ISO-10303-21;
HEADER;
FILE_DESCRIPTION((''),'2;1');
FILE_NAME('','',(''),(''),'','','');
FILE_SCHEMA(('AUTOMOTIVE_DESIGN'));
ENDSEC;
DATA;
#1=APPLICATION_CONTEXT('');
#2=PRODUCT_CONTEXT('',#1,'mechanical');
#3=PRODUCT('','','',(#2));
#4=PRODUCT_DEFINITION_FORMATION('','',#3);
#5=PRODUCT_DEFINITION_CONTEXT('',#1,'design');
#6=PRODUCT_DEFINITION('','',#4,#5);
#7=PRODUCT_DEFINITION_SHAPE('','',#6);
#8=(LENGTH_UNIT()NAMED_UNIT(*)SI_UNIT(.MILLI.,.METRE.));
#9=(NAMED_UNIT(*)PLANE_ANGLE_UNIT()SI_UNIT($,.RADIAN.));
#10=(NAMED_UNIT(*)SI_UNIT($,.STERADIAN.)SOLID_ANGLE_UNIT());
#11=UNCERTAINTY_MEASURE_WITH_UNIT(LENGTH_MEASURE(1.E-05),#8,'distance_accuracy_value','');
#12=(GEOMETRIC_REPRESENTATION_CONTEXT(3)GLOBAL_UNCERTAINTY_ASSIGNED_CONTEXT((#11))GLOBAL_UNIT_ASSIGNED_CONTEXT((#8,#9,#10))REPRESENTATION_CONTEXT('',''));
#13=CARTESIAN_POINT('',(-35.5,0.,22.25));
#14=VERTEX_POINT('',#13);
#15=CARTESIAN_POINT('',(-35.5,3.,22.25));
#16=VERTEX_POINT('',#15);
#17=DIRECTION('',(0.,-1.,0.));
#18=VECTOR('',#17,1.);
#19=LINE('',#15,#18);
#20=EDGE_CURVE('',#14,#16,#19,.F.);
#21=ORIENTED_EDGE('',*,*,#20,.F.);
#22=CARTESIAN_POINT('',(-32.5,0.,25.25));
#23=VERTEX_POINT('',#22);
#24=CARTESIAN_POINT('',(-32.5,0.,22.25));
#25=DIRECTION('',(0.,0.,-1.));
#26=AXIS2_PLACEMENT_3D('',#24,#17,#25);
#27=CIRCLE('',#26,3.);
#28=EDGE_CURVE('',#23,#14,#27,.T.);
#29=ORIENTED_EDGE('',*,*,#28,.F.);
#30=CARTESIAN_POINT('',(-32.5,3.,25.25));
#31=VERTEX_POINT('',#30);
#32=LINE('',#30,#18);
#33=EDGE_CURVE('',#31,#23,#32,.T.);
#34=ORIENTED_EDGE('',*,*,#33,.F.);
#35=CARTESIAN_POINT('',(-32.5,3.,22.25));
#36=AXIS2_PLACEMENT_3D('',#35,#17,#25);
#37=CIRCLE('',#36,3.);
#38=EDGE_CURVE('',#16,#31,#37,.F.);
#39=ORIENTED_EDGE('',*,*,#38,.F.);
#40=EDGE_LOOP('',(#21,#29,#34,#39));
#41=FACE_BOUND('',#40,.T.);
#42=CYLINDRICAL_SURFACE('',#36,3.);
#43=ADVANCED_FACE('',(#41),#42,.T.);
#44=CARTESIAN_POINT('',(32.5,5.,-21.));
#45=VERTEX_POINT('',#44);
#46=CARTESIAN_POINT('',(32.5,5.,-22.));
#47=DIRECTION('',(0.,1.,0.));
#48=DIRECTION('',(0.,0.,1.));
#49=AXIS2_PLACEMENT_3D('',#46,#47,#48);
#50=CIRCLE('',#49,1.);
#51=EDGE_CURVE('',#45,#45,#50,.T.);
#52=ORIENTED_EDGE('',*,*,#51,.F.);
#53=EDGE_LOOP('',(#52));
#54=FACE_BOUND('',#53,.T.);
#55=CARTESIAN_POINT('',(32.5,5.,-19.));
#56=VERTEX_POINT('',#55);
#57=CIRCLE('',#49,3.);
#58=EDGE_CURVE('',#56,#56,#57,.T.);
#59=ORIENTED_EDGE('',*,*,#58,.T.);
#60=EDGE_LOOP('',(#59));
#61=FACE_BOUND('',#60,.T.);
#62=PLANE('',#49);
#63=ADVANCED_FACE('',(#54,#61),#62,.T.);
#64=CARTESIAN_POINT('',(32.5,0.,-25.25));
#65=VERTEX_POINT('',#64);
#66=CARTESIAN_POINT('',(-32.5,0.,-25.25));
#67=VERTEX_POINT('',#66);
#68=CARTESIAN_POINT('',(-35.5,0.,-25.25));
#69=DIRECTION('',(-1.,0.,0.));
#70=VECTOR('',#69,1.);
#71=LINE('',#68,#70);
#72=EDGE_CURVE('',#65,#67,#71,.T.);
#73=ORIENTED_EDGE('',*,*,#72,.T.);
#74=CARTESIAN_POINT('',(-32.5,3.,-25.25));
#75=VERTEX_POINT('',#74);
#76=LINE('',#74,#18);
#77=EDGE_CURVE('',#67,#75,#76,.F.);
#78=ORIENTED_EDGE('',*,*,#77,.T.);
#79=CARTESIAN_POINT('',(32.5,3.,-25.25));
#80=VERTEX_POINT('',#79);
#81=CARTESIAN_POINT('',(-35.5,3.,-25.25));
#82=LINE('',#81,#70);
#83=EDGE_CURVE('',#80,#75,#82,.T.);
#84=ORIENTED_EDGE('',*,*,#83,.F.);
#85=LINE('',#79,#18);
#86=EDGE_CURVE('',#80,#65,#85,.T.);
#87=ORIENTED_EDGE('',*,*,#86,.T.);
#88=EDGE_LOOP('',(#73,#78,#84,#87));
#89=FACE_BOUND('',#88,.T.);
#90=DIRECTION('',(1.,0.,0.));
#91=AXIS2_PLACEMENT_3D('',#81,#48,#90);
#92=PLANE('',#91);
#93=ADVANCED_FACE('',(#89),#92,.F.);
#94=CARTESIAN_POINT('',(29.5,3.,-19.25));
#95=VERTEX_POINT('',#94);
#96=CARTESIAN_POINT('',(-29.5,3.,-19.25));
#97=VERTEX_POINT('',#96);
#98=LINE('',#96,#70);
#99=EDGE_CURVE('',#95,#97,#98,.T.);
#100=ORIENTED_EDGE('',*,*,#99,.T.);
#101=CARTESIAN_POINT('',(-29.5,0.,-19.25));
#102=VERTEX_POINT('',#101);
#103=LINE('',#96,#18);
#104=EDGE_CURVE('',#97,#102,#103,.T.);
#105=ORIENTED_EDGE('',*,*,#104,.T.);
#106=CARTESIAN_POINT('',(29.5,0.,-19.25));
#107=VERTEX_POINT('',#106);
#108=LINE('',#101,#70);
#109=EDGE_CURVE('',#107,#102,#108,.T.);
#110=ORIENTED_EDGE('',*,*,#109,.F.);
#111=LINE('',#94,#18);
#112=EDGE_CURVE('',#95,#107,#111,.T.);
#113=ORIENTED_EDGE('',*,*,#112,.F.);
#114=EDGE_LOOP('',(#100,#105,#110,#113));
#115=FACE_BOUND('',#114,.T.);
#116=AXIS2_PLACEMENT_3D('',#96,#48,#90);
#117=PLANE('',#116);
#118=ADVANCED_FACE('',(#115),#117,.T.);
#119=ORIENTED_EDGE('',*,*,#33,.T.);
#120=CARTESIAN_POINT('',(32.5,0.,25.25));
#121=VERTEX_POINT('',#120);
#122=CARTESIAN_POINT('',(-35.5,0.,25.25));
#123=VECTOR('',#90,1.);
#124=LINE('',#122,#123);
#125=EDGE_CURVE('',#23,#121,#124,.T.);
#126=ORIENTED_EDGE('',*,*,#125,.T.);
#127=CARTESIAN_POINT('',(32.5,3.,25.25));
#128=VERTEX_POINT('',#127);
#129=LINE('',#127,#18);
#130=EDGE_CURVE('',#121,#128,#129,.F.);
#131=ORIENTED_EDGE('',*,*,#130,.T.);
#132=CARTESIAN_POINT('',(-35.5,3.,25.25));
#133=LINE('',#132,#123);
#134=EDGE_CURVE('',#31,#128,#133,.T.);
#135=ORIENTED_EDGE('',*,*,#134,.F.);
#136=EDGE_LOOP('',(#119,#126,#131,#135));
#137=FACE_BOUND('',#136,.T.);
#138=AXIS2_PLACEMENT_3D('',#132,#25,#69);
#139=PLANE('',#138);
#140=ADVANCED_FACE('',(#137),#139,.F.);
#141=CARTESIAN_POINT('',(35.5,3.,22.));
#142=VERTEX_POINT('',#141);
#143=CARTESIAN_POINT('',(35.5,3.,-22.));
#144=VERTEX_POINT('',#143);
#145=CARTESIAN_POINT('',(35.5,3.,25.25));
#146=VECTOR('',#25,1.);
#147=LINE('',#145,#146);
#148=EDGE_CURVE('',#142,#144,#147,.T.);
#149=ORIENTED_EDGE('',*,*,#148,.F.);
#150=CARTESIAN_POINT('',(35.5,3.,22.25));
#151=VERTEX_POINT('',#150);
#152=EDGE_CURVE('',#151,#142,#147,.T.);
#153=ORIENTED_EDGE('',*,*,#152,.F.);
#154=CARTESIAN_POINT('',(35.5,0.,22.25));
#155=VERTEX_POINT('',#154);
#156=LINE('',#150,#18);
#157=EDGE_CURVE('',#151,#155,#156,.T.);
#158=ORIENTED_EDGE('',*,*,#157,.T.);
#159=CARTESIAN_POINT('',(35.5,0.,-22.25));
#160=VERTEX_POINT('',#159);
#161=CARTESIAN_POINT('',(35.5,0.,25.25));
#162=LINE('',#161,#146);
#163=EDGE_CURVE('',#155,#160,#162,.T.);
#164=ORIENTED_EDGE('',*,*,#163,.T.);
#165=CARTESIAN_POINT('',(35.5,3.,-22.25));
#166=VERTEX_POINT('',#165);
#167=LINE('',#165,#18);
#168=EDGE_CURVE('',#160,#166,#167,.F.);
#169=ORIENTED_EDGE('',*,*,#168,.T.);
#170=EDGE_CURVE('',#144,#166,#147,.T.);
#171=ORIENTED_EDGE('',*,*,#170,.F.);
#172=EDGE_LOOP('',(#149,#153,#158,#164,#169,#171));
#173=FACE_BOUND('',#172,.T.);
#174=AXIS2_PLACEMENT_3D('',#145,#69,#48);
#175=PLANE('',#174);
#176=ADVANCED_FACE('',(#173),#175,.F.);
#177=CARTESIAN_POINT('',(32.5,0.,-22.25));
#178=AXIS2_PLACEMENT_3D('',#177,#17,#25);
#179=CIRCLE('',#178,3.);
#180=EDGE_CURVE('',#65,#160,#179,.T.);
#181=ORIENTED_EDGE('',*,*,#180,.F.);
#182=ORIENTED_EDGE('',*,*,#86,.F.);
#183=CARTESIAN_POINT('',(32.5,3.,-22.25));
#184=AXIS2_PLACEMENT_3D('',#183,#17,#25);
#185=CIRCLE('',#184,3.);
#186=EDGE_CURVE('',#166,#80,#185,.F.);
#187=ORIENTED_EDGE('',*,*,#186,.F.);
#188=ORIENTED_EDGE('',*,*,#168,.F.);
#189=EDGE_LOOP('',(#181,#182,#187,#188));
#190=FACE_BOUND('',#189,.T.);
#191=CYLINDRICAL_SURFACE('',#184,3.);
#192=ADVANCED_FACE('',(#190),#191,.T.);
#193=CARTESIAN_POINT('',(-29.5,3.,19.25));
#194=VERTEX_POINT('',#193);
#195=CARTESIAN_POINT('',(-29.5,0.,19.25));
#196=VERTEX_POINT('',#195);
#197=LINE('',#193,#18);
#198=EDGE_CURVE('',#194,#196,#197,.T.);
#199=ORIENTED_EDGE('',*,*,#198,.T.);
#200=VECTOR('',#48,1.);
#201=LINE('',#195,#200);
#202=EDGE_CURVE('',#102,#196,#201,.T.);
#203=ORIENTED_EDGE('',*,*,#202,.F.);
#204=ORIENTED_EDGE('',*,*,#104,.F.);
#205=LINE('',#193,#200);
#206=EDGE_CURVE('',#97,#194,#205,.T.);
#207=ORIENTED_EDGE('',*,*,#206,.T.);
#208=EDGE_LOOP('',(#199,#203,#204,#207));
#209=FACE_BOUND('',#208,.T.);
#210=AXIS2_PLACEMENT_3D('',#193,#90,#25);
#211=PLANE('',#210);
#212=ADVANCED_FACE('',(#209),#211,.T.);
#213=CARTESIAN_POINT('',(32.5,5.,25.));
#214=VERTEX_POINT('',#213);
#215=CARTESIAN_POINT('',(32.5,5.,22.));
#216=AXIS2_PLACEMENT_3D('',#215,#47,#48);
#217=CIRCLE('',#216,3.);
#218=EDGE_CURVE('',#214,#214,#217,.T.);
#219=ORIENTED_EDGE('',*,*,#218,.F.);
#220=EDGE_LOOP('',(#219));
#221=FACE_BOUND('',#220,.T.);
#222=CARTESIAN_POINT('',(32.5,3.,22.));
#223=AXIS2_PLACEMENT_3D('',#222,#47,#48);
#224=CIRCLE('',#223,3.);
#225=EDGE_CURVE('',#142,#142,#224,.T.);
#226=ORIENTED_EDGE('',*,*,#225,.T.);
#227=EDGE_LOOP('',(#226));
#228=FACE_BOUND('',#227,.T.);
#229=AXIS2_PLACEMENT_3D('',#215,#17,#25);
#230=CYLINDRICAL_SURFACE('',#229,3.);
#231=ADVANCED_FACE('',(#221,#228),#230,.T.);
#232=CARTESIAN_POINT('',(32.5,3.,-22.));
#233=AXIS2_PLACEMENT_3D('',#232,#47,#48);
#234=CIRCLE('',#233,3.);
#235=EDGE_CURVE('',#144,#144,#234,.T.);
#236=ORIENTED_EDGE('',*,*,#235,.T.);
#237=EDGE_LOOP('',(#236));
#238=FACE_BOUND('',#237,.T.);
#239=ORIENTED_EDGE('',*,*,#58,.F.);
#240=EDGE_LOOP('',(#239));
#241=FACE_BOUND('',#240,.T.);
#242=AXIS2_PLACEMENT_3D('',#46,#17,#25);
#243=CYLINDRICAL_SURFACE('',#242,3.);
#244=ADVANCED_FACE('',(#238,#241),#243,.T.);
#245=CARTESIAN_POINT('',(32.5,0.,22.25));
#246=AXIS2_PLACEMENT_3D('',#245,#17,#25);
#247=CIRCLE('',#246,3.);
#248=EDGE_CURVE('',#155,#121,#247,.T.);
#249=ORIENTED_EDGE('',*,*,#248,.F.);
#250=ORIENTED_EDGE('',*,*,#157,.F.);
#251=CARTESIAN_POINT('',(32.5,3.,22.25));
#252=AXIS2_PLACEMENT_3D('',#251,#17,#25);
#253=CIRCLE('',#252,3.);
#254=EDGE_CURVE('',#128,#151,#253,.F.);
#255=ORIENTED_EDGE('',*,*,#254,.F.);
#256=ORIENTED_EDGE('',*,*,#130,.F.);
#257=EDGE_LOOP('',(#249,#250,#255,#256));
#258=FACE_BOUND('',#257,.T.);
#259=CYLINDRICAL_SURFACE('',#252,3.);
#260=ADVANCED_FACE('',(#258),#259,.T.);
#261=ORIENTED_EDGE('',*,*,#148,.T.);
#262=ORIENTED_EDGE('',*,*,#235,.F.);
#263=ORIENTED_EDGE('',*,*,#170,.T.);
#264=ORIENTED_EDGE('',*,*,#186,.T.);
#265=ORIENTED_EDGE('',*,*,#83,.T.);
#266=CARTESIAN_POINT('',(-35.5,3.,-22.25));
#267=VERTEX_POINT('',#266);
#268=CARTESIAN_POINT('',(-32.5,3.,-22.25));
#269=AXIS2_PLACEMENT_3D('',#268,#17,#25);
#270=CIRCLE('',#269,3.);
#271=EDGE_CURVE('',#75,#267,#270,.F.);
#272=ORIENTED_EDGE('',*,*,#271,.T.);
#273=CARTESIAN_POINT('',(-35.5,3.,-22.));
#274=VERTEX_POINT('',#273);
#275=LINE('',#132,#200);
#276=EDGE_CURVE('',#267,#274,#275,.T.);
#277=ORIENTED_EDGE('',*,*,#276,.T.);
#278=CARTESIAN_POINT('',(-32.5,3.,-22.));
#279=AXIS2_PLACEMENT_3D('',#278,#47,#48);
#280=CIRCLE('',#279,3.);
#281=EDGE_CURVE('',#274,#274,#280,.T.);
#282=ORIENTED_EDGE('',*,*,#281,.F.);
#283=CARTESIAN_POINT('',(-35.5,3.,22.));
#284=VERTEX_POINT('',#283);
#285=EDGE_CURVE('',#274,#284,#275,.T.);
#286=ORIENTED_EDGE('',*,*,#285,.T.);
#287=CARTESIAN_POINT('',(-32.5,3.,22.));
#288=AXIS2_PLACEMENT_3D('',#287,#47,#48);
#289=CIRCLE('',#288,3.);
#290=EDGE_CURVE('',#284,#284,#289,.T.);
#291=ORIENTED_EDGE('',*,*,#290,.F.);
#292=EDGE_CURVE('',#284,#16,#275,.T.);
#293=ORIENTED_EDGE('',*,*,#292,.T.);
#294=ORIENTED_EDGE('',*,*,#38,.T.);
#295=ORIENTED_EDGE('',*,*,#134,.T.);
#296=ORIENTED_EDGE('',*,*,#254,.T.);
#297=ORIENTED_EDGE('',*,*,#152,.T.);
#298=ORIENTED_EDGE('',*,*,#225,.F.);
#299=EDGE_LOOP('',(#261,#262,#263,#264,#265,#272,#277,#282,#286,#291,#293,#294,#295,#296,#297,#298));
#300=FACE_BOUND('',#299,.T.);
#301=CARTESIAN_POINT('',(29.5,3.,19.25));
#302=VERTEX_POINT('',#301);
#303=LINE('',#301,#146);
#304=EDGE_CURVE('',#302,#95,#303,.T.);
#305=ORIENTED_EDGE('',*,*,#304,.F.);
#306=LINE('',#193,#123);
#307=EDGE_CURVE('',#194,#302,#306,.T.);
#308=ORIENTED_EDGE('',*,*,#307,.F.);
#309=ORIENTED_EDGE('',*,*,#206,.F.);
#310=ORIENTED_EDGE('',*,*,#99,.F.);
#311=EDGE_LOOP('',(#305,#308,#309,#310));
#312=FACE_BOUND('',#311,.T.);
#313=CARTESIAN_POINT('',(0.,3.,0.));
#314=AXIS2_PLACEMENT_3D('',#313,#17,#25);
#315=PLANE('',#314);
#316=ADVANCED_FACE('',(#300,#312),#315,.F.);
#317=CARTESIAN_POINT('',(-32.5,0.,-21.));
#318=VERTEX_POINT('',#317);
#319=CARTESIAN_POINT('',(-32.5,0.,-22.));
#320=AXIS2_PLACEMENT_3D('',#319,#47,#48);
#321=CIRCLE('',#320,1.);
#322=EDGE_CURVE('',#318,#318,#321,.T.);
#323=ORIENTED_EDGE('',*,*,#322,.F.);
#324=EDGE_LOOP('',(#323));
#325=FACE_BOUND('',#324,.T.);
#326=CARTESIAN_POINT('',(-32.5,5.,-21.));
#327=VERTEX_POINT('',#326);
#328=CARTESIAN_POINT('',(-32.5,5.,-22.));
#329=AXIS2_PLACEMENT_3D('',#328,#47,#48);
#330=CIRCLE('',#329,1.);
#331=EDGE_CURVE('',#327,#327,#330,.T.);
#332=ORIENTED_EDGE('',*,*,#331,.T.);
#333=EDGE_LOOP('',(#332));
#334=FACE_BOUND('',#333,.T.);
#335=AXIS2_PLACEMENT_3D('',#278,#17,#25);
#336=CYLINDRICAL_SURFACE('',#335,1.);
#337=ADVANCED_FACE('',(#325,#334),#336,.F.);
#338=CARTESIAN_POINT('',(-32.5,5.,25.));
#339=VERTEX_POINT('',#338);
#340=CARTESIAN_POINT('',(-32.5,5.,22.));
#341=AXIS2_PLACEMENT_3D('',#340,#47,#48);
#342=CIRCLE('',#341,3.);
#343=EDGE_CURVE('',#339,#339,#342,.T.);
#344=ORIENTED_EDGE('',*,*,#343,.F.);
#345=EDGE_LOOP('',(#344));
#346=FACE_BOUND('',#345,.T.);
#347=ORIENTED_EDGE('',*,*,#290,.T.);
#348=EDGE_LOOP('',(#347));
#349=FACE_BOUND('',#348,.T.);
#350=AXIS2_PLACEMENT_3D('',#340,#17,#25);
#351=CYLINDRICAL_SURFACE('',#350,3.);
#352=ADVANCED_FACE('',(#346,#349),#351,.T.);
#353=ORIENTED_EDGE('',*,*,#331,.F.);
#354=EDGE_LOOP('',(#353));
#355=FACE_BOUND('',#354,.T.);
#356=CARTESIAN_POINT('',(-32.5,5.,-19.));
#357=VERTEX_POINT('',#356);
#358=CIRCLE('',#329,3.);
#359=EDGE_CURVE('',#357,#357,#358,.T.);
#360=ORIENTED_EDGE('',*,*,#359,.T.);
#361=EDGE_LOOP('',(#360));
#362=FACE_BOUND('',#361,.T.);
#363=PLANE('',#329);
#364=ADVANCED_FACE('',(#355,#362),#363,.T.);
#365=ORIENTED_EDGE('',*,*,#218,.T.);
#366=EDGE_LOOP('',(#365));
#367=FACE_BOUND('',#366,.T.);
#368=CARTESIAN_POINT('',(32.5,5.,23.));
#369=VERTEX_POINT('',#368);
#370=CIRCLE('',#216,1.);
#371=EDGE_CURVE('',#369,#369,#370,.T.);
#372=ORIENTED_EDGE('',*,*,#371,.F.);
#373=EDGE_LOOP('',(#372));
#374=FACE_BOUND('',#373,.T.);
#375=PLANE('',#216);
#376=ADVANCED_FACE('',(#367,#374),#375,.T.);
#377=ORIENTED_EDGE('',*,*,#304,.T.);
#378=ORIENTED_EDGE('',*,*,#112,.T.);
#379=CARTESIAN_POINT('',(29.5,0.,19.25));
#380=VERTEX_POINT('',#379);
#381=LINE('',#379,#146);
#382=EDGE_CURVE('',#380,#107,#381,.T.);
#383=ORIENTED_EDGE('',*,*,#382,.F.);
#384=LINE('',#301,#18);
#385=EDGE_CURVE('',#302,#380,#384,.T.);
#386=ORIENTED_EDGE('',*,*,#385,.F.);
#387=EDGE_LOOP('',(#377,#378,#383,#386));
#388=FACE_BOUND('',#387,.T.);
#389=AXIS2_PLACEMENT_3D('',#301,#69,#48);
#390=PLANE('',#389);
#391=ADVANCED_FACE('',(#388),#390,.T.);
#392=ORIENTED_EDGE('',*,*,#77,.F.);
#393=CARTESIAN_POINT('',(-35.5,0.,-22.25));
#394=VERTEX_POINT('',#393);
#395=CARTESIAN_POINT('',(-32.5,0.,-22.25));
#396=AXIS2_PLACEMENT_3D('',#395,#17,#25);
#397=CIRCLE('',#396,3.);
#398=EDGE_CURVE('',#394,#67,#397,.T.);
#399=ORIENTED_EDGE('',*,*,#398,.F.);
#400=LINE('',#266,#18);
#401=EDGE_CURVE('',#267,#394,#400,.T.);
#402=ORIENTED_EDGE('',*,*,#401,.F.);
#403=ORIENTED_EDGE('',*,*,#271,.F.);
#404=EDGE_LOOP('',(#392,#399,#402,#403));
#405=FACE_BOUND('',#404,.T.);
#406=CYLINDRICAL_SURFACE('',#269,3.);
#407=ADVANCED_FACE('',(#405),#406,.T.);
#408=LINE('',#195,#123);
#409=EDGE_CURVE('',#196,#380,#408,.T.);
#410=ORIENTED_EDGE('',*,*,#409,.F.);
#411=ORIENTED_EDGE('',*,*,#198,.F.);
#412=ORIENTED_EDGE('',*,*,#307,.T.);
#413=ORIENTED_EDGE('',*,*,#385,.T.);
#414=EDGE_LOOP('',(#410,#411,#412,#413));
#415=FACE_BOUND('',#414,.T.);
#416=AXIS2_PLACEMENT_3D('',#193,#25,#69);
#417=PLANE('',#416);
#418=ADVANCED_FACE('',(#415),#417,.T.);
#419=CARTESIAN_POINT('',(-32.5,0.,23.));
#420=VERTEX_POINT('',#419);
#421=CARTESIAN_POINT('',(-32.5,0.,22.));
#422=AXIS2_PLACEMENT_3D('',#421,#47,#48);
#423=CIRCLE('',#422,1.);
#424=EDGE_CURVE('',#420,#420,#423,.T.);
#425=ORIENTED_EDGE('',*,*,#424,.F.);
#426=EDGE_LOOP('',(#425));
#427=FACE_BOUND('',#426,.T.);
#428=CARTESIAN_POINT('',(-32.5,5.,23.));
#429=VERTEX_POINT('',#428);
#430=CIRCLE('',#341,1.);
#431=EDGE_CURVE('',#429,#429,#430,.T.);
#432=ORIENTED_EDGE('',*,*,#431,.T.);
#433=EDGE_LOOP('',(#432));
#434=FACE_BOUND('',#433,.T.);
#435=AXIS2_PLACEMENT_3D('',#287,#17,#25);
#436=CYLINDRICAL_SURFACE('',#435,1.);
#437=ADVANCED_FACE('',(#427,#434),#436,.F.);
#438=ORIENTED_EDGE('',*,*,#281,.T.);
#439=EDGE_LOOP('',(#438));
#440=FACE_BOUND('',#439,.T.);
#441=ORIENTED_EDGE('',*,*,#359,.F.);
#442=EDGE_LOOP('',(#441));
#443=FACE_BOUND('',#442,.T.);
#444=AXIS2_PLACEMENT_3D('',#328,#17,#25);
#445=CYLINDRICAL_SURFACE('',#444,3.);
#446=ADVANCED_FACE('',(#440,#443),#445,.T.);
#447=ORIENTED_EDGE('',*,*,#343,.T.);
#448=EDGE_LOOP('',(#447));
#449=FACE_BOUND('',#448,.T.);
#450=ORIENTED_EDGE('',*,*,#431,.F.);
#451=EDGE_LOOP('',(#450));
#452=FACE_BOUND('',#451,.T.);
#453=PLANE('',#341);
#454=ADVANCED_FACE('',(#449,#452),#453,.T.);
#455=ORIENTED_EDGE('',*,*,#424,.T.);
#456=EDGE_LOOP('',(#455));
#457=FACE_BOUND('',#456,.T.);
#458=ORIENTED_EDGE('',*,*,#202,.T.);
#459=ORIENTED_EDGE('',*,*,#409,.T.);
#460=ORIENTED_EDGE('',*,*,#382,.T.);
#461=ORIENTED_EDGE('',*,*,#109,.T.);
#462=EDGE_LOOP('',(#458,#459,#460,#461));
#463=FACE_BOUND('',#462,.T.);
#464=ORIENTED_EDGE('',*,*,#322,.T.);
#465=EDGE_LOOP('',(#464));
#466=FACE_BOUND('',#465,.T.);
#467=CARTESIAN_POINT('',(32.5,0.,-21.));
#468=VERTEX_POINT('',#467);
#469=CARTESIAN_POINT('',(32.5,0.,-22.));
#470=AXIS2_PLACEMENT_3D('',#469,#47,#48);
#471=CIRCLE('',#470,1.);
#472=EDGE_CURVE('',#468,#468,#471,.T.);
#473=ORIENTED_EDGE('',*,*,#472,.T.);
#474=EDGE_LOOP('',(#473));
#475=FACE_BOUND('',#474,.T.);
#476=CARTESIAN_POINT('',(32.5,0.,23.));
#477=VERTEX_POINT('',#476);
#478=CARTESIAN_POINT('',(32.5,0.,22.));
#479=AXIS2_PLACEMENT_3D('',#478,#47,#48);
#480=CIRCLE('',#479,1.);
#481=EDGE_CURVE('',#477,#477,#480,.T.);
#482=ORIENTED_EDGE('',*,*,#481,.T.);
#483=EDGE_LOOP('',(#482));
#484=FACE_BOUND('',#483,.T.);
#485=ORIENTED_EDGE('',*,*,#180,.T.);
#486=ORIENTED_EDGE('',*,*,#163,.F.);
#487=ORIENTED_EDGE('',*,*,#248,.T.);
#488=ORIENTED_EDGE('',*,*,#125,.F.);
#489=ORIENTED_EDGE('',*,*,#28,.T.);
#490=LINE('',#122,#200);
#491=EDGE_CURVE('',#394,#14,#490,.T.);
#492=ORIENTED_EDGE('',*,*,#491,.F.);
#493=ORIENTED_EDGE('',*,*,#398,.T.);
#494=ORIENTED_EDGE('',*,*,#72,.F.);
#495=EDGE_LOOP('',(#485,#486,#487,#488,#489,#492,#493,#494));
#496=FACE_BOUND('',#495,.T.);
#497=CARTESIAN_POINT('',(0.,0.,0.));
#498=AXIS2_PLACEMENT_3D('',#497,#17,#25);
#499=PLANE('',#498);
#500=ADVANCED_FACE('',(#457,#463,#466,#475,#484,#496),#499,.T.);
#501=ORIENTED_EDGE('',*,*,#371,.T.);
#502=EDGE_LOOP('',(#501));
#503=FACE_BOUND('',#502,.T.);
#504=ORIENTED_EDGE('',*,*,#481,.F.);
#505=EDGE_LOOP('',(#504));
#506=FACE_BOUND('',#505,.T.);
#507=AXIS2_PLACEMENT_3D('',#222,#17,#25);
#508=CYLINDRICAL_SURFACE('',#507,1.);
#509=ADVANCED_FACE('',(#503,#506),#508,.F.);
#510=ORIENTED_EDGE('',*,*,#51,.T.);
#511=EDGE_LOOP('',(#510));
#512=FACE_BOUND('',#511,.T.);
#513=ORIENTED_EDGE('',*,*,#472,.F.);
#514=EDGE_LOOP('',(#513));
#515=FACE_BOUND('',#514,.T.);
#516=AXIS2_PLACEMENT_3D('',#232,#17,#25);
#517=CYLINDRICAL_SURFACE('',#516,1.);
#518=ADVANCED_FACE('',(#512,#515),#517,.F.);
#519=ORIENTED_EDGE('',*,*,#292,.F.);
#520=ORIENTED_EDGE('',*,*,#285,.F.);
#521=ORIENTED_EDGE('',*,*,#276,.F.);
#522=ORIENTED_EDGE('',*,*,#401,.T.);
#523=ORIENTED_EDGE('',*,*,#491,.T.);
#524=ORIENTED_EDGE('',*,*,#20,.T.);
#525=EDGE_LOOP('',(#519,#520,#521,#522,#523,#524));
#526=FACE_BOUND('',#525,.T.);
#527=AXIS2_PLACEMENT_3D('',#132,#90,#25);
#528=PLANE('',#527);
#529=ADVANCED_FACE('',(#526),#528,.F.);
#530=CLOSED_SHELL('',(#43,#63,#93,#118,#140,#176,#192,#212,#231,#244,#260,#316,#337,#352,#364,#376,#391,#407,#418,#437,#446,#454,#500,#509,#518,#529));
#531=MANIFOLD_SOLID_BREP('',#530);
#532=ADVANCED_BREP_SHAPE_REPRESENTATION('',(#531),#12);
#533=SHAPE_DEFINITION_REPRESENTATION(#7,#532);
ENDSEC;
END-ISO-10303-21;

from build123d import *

# Parameters (mm, degrees)
SKETCH1_W           = 71
SKETCH1_H           = 50.5
SKETCH1_R           = 1
SKETCH1_W_2         = 59
SKETCH1_H_2         = 38.5
BOSS_EXTRUDE1_DEPTH = 3
SKETCH2_R           = 3
SKETCH2_R_2         = 1
BOSS_EXTRUDE2_DEPTH = 2
FILLET1_R           = 3


with BuildPart() as part:
    # Sketch1 → Boss-Extrude1 (new body)
    with BuildSketch(Plane(origin=(0, 0, 0), x_dir=(1, 0, 0), z_dir=(0, 1, 0))):
        Rectangle(SKETCH1_W, SKETCH1_H)
        with Locations(Location((-32.5, 22, 0), (0, 0, 270))):
            Circle(SKETCH1_R, mode=Mode.SUBTRACT)
        with Locations(Location((-32.5, -22, 0), (0, 0, 270))):
            Circle(SKETCH1_R, mode=Mode.SUBTRACT)
        with Locations(Location((32.5, -22, 0), (0, 0, 270))):
            Circle(SKETCH1_R, mode=Mode.SUBTRACT)
        with Locations(Location((32.5, 22, 0), (0, 0, 270))):
            Circle(SKETCH1_R, mode=Mode.SUBTRACT)
        Rectangle(SKETCH1_W_2, SKETCH1_H_2, mode=Mode.SUBTRACT)
    extrude(amount=BOSS_EXTRUDE1_DEPTH)

    # Sketch2 → Boss-Extrude2 (add)
    # profile 1 of 4: a face of its own
    with BuildSketch(Plane(origin=(0, 3, 0), x_dir=(1, 0, 0), z_dir=(0, 1, 0))):
        with Locations((32.5, 22)):
            Circle(SKETCH2_R)
        with Locations(Location((32.5, 22, 0), (0, 0, 270))):
            Circle(SKETCH2_R_2, mode=Mode.SUBTRACT)
    # profile 2 of 4: a face of its own
    with BuildSketch(Plane(origin=(0, 3, 0), x_dir=(1, 0, 0), z_dir=(0, 1, 0))):
        with Locations((32.5, -22)):
            Circle(SKETCH2_R)
        with Locations(Location((32.5, -22, 0), (0, 0, 270))):
            Circle(SKETCH2_R_2, mode=Mode.SUBTRACT)
    # profile 3 of 4: a face of its own
    with BuildSketch(Plane(origin=(0, 3, 0), x_dir=(1, 0, 0), z_dir=(0, 1, 0))):
        with Locations(Location((-32.5, -22, 0), (0, 0, 180))):
            Circle(SKETCH2_R)
        with Locations(Location((-32.5, -22, 0), (0, 0, 270))):
            Circle(SKETCH2_R_2, mode=Mode.SUBTRACT)
    # profile 4 of 4: a face of its own
    with BuildSketch(Plane(origin=(0, 3, 0), x_dir=(1, 0, 0), z_dir=(0, 1, 0))):
        with Locations(Location((-32.5, 22, 0), (0, 0, 180))):
            Circle(SKETCH2_R)
        with Locations(Location((-32.5, 22, 0), (0, 0, 270))):
            Circle(SKETCH2_R_2, mode=Mode.SUBTRACT)
    extrude(amount=BOSS_EXTRUDE2_DEPTH)

    # Fillet1
    fillet1_edges = [part.edges().sort_by_distance(p)[0] for p in [
        (35.5, 1.5, 25.25),
        (-35.5, 1.5, 25.25),
        (-35.5, 1.5, -25.25),
        (35.5, 1.5, -25.25),
    ]]
    fillet(fillet1_edges, radius=FILLET1_R)


solid = part.part
